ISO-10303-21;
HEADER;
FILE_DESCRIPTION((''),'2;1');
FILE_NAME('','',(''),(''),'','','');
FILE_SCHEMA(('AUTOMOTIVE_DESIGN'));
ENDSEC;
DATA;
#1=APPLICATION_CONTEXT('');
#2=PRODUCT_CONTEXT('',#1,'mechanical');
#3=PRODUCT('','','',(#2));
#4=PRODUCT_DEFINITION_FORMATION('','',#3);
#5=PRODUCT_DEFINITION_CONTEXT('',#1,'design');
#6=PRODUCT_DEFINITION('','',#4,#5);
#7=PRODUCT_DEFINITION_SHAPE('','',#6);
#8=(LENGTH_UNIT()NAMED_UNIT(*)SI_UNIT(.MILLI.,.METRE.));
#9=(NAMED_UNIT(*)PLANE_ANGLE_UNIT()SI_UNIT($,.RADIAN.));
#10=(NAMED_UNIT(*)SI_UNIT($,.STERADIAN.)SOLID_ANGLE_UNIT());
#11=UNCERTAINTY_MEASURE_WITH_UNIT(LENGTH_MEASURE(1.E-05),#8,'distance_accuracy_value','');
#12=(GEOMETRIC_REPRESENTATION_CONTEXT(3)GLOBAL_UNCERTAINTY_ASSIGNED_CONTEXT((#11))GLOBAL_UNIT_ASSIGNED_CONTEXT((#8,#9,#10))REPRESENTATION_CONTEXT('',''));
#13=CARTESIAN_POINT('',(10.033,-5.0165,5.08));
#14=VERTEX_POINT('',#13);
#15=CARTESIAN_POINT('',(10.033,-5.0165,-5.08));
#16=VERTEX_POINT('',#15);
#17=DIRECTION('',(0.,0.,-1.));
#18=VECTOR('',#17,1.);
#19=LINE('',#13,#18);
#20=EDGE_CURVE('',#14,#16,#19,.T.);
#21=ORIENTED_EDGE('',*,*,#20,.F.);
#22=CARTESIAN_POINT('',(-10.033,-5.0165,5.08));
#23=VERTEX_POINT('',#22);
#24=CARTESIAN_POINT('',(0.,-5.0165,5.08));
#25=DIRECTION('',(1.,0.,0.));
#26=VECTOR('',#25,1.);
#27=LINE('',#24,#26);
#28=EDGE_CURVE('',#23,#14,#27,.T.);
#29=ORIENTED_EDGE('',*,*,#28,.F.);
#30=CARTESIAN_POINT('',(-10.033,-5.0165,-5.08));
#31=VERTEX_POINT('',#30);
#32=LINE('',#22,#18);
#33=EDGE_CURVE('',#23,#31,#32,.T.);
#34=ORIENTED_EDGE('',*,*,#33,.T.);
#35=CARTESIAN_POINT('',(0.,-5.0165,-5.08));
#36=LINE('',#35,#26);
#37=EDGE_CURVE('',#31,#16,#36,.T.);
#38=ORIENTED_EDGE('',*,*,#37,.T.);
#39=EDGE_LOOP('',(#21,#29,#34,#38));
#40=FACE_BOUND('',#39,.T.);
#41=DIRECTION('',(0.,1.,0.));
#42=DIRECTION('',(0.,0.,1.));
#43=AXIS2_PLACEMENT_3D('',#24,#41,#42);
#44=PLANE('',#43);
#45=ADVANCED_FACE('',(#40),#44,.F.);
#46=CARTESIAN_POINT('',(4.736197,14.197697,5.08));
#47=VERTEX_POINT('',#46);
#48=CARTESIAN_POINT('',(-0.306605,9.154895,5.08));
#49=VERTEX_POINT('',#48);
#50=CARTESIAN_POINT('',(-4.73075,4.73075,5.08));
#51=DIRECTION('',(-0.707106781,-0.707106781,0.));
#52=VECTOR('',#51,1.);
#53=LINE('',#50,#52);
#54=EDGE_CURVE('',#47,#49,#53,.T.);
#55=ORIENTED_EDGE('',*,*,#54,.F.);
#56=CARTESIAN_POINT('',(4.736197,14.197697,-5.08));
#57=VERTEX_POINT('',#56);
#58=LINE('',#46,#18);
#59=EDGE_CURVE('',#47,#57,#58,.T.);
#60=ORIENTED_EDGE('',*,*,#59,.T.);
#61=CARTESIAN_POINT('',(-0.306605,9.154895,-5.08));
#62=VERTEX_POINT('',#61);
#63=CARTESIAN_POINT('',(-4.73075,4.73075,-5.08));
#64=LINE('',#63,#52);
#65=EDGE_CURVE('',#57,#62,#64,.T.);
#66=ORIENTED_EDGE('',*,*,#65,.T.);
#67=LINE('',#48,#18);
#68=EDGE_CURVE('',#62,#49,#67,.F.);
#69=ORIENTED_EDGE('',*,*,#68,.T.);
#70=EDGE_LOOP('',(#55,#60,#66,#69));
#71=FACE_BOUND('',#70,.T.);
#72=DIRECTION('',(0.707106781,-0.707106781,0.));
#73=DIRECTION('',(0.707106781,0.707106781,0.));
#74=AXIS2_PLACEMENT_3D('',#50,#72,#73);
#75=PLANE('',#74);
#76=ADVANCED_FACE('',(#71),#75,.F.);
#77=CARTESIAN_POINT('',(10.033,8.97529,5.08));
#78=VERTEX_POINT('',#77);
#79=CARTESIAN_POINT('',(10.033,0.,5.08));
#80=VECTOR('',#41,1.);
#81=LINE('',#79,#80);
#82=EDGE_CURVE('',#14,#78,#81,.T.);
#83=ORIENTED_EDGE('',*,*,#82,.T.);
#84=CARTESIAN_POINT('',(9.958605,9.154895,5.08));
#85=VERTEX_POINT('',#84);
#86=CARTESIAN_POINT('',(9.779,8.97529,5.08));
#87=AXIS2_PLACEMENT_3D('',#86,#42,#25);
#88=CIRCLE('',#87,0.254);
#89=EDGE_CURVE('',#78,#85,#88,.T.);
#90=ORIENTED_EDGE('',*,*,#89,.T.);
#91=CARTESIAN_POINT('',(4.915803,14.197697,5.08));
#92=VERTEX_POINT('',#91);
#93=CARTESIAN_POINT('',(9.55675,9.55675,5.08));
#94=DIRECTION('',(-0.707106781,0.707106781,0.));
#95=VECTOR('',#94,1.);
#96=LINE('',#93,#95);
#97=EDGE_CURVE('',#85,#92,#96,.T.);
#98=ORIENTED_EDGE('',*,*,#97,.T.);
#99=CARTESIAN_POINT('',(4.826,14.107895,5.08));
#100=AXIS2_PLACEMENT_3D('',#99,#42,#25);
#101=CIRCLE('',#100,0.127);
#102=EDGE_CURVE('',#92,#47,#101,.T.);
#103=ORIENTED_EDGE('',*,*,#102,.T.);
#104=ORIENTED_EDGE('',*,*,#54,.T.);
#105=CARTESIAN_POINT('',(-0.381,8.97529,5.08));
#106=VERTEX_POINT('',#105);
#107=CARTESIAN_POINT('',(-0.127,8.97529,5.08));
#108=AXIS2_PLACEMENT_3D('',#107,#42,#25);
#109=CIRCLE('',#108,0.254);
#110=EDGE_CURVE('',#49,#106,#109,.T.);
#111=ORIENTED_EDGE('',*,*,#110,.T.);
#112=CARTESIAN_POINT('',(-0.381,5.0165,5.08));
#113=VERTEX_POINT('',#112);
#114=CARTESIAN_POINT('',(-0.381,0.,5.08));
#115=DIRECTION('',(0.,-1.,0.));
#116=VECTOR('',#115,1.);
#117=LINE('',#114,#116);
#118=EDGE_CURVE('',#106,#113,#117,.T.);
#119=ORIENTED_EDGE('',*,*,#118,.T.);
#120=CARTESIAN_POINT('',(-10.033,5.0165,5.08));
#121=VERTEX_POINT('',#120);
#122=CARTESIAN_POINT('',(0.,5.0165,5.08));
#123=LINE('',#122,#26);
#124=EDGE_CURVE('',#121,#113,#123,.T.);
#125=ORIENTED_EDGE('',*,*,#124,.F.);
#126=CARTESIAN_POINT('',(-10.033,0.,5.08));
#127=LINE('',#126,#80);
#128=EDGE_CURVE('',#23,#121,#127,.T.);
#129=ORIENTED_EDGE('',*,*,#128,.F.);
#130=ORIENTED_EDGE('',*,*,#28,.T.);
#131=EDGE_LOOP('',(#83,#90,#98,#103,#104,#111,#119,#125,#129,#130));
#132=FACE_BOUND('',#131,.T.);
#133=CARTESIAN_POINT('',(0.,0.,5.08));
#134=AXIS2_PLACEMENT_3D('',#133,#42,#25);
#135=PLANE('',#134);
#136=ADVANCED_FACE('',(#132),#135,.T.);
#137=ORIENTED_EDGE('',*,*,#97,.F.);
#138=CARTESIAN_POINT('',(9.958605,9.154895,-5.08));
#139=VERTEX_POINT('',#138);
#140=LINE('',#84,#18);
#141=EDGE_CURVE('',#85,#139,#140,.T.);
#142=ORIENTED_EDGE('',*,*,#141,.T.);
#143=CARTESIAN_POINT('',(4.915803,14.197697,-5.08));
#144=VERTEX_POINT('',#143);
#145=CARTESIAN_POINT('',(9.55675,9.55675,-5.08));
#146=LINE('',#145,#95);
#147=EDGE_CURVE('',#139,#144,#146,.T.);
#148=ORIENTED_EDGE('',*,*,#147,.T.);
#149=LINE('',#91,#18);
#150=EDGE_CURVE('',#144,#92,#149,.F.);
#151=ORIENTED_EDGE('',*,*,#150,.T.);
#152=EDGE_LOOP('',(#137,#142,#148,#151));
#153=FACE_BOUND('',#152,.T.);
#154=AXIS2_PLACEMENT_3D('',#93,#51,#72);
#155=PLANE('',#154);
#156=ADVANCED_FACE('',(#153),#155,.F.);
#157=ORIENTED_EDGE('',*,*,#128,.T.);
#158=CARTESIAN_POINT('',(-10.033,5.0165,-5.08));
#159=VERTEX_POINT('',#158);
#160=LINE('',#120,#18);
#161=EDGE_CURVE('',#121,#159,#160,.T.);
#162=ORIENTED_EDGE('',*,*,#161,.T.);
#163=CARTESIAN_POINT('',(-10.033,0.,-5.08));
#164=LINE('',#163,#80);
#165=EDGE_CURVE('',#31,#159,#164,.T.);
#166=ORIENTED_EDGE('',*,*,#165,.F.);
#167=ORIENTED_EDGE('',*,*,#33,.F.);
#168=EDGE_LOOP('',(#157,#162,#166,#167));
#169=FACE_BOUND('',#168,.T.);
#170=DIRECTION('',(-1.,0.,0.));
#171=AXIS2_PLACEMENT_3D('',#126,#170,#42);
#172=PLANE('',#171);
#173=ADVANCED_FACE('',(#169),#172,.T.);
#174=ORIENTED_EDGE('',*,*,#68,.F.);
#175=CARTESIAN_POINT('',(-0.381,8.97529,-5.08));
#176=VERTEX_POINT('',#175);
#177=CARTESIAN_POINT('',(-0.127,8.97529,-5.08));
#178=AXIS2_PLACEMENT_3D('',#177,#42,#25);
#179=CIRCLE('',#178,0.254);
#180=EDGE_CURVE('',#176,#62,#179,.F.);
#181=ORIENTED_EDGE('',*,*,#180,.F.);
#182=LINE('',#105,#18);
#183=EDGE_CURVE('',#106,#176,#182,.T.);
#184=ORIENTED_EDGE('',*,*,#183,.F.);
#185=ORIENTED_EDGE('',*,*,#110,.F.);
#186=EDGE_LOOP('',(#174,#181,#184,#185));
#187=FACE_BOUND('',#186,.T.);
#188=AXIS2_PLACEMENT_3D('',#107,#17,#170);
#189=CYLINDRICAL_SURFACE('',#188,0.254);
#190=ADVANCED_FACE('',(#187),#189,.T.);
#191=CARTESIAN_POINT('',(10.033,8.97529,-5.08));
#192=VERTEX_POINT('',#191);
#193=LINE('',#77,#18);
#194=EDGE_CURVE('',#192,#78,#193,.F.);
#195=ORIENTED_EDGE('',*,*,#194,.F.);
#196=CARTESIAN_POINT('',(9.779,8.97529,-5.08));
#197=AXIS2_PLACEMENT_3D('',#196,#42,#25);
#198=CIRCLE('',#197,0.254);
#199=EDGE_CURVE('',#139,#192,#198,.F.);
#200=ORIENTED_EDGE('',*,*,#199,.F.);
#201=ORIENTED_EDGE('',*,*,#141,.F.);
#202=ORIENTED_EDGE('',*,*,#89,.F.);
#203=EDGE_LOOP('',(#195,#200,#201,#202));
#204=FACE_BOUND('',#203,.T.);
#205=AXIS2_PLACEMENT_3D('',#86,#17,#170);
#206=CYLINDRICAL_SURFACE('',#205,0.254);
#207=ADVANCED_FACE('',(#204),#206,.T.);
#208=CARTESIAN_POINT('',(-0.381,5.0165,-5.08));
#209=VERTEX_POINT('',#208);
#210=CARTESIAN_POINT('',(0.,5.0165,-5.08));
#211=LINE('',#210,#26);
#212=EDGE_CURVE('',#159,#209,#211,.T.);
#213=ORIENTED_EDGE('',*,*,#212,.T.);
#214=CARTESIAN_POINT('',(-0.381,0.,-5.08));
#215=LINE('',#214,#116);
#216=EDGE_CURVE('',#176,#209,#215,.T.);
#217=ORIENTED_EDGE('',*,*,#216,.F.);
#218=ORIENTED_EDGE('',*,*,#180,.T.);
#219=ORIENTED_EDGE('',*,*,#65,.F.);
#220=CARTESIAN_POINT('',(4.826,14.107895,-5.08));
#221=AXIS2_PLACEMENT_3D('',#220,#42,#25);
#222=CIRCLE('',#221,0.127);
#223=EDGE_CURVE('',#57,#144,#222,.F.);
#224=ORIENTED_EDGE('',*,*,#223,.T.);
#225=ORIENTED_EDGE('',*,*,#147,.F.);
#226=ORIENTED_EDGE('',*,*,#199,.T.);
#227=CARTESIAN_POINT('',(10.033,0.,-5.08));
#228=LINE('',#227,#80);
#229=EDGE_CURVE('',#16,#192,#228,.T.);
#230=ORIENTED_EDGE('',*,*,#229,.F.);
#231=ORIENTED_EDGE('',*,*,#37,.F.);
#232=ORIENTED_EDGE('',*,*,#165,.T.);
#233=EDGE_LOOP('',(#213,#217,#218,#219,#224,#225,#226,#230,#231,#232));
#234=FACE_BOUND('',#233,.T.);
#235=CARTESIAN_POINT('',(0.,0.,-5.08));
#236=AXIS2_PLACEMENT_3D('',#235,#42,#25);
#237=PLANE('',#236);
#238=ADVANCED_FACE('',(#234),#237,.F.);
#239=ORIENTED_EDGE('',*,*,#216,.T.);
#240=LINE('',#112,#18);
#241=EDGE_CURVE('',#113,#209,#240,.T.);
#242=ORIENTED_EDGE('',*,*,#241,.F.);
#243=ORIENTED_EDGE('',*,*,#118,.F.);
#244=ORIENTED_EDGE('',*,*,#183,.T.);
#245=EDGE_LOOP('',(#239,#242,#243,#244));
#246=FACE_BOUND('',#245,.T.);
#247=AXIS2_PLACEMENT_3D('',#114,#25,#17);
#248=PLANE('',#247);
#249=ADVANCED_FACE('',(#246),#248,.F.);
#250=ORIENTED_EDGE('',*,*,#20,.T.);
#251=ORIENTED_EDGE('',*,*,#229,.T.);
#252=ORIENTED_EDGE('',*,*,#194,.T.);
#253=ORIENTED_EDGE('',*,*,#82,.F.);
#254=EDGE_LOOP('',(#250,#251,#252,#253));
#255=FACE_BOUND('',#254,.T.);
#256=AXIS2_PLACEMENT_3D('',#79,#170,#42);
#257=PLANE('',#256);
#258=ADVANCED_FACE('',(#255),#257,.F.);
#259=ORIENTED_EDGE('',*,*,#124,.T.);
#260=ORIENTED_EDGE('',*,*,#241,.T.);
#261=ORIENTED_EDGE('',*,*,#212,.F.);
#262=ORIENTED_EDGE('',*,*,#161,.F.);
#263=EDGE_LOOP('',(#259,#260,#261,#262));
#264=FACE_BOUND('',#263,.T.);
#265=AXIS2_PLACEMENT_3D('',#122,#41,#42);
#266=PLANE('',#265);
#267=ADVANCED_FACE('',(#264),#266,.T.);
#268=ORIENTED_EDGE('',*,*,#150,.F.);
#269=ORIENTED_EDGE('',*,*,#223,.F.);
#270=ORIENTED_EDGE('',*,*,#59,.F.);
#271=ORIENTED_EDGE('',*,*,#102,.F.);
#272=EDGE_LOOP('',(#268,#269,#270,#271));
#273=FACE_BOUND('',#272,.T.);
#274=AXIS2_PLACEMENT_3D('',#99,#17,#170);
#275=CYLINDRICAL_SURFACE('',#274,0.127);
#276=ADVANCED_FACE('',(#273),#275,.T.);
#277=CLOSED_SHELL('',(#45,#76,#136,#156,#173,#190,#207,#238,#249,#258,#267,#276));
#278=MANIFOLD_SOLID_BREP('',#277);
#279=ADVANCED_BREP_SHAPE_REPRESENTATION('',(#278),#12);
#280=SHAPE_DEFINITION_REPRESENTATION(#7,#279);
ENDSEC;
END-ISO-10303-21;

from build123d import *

# Parameters (mm, degrees)
SKETCH1_W           = 20.066
SKETCH1_H           = 10.033
BOSS_EXTRUDE1_DEPTH = 5.08
FILLET1_R           = 0.254
FILLET2_R           = 0.127


with BuildPart() as part:
    # Sketch1 → Boss-Extrude1 (new body, symmetric)
    with BuildSketch(Plane.XY):
        Polygon((-0.381, 5.0165), (10.033, 5.0165), (10.033, 9.0805), (4.826, 14.2875), (-0.381, 9.0805), align=None)
        Rectangle(SKETCH1_W, SKETCH1_H)
    extrude(amount=BOSS_EXTRUDE1_DEPTH, both=True)

    # Fillet1
    fillet1_edges = [part.edges().sort_by_distance(p)[0] for p in [
        (10.033, 9.0805, 0),
        (-0.381, 9.0805, 0),
    ]]
    fillet(fillet1_edges, radius=FILLET1_R)

    # Fillet2
    fillet2_edges = [part.edges().sort_by_distance(p)[0] for p in [
        (4.826, 14.2875, 0),
    ]]
    fillet(fillet2_edges, radius=FILLET2_R)


solid = part.part
